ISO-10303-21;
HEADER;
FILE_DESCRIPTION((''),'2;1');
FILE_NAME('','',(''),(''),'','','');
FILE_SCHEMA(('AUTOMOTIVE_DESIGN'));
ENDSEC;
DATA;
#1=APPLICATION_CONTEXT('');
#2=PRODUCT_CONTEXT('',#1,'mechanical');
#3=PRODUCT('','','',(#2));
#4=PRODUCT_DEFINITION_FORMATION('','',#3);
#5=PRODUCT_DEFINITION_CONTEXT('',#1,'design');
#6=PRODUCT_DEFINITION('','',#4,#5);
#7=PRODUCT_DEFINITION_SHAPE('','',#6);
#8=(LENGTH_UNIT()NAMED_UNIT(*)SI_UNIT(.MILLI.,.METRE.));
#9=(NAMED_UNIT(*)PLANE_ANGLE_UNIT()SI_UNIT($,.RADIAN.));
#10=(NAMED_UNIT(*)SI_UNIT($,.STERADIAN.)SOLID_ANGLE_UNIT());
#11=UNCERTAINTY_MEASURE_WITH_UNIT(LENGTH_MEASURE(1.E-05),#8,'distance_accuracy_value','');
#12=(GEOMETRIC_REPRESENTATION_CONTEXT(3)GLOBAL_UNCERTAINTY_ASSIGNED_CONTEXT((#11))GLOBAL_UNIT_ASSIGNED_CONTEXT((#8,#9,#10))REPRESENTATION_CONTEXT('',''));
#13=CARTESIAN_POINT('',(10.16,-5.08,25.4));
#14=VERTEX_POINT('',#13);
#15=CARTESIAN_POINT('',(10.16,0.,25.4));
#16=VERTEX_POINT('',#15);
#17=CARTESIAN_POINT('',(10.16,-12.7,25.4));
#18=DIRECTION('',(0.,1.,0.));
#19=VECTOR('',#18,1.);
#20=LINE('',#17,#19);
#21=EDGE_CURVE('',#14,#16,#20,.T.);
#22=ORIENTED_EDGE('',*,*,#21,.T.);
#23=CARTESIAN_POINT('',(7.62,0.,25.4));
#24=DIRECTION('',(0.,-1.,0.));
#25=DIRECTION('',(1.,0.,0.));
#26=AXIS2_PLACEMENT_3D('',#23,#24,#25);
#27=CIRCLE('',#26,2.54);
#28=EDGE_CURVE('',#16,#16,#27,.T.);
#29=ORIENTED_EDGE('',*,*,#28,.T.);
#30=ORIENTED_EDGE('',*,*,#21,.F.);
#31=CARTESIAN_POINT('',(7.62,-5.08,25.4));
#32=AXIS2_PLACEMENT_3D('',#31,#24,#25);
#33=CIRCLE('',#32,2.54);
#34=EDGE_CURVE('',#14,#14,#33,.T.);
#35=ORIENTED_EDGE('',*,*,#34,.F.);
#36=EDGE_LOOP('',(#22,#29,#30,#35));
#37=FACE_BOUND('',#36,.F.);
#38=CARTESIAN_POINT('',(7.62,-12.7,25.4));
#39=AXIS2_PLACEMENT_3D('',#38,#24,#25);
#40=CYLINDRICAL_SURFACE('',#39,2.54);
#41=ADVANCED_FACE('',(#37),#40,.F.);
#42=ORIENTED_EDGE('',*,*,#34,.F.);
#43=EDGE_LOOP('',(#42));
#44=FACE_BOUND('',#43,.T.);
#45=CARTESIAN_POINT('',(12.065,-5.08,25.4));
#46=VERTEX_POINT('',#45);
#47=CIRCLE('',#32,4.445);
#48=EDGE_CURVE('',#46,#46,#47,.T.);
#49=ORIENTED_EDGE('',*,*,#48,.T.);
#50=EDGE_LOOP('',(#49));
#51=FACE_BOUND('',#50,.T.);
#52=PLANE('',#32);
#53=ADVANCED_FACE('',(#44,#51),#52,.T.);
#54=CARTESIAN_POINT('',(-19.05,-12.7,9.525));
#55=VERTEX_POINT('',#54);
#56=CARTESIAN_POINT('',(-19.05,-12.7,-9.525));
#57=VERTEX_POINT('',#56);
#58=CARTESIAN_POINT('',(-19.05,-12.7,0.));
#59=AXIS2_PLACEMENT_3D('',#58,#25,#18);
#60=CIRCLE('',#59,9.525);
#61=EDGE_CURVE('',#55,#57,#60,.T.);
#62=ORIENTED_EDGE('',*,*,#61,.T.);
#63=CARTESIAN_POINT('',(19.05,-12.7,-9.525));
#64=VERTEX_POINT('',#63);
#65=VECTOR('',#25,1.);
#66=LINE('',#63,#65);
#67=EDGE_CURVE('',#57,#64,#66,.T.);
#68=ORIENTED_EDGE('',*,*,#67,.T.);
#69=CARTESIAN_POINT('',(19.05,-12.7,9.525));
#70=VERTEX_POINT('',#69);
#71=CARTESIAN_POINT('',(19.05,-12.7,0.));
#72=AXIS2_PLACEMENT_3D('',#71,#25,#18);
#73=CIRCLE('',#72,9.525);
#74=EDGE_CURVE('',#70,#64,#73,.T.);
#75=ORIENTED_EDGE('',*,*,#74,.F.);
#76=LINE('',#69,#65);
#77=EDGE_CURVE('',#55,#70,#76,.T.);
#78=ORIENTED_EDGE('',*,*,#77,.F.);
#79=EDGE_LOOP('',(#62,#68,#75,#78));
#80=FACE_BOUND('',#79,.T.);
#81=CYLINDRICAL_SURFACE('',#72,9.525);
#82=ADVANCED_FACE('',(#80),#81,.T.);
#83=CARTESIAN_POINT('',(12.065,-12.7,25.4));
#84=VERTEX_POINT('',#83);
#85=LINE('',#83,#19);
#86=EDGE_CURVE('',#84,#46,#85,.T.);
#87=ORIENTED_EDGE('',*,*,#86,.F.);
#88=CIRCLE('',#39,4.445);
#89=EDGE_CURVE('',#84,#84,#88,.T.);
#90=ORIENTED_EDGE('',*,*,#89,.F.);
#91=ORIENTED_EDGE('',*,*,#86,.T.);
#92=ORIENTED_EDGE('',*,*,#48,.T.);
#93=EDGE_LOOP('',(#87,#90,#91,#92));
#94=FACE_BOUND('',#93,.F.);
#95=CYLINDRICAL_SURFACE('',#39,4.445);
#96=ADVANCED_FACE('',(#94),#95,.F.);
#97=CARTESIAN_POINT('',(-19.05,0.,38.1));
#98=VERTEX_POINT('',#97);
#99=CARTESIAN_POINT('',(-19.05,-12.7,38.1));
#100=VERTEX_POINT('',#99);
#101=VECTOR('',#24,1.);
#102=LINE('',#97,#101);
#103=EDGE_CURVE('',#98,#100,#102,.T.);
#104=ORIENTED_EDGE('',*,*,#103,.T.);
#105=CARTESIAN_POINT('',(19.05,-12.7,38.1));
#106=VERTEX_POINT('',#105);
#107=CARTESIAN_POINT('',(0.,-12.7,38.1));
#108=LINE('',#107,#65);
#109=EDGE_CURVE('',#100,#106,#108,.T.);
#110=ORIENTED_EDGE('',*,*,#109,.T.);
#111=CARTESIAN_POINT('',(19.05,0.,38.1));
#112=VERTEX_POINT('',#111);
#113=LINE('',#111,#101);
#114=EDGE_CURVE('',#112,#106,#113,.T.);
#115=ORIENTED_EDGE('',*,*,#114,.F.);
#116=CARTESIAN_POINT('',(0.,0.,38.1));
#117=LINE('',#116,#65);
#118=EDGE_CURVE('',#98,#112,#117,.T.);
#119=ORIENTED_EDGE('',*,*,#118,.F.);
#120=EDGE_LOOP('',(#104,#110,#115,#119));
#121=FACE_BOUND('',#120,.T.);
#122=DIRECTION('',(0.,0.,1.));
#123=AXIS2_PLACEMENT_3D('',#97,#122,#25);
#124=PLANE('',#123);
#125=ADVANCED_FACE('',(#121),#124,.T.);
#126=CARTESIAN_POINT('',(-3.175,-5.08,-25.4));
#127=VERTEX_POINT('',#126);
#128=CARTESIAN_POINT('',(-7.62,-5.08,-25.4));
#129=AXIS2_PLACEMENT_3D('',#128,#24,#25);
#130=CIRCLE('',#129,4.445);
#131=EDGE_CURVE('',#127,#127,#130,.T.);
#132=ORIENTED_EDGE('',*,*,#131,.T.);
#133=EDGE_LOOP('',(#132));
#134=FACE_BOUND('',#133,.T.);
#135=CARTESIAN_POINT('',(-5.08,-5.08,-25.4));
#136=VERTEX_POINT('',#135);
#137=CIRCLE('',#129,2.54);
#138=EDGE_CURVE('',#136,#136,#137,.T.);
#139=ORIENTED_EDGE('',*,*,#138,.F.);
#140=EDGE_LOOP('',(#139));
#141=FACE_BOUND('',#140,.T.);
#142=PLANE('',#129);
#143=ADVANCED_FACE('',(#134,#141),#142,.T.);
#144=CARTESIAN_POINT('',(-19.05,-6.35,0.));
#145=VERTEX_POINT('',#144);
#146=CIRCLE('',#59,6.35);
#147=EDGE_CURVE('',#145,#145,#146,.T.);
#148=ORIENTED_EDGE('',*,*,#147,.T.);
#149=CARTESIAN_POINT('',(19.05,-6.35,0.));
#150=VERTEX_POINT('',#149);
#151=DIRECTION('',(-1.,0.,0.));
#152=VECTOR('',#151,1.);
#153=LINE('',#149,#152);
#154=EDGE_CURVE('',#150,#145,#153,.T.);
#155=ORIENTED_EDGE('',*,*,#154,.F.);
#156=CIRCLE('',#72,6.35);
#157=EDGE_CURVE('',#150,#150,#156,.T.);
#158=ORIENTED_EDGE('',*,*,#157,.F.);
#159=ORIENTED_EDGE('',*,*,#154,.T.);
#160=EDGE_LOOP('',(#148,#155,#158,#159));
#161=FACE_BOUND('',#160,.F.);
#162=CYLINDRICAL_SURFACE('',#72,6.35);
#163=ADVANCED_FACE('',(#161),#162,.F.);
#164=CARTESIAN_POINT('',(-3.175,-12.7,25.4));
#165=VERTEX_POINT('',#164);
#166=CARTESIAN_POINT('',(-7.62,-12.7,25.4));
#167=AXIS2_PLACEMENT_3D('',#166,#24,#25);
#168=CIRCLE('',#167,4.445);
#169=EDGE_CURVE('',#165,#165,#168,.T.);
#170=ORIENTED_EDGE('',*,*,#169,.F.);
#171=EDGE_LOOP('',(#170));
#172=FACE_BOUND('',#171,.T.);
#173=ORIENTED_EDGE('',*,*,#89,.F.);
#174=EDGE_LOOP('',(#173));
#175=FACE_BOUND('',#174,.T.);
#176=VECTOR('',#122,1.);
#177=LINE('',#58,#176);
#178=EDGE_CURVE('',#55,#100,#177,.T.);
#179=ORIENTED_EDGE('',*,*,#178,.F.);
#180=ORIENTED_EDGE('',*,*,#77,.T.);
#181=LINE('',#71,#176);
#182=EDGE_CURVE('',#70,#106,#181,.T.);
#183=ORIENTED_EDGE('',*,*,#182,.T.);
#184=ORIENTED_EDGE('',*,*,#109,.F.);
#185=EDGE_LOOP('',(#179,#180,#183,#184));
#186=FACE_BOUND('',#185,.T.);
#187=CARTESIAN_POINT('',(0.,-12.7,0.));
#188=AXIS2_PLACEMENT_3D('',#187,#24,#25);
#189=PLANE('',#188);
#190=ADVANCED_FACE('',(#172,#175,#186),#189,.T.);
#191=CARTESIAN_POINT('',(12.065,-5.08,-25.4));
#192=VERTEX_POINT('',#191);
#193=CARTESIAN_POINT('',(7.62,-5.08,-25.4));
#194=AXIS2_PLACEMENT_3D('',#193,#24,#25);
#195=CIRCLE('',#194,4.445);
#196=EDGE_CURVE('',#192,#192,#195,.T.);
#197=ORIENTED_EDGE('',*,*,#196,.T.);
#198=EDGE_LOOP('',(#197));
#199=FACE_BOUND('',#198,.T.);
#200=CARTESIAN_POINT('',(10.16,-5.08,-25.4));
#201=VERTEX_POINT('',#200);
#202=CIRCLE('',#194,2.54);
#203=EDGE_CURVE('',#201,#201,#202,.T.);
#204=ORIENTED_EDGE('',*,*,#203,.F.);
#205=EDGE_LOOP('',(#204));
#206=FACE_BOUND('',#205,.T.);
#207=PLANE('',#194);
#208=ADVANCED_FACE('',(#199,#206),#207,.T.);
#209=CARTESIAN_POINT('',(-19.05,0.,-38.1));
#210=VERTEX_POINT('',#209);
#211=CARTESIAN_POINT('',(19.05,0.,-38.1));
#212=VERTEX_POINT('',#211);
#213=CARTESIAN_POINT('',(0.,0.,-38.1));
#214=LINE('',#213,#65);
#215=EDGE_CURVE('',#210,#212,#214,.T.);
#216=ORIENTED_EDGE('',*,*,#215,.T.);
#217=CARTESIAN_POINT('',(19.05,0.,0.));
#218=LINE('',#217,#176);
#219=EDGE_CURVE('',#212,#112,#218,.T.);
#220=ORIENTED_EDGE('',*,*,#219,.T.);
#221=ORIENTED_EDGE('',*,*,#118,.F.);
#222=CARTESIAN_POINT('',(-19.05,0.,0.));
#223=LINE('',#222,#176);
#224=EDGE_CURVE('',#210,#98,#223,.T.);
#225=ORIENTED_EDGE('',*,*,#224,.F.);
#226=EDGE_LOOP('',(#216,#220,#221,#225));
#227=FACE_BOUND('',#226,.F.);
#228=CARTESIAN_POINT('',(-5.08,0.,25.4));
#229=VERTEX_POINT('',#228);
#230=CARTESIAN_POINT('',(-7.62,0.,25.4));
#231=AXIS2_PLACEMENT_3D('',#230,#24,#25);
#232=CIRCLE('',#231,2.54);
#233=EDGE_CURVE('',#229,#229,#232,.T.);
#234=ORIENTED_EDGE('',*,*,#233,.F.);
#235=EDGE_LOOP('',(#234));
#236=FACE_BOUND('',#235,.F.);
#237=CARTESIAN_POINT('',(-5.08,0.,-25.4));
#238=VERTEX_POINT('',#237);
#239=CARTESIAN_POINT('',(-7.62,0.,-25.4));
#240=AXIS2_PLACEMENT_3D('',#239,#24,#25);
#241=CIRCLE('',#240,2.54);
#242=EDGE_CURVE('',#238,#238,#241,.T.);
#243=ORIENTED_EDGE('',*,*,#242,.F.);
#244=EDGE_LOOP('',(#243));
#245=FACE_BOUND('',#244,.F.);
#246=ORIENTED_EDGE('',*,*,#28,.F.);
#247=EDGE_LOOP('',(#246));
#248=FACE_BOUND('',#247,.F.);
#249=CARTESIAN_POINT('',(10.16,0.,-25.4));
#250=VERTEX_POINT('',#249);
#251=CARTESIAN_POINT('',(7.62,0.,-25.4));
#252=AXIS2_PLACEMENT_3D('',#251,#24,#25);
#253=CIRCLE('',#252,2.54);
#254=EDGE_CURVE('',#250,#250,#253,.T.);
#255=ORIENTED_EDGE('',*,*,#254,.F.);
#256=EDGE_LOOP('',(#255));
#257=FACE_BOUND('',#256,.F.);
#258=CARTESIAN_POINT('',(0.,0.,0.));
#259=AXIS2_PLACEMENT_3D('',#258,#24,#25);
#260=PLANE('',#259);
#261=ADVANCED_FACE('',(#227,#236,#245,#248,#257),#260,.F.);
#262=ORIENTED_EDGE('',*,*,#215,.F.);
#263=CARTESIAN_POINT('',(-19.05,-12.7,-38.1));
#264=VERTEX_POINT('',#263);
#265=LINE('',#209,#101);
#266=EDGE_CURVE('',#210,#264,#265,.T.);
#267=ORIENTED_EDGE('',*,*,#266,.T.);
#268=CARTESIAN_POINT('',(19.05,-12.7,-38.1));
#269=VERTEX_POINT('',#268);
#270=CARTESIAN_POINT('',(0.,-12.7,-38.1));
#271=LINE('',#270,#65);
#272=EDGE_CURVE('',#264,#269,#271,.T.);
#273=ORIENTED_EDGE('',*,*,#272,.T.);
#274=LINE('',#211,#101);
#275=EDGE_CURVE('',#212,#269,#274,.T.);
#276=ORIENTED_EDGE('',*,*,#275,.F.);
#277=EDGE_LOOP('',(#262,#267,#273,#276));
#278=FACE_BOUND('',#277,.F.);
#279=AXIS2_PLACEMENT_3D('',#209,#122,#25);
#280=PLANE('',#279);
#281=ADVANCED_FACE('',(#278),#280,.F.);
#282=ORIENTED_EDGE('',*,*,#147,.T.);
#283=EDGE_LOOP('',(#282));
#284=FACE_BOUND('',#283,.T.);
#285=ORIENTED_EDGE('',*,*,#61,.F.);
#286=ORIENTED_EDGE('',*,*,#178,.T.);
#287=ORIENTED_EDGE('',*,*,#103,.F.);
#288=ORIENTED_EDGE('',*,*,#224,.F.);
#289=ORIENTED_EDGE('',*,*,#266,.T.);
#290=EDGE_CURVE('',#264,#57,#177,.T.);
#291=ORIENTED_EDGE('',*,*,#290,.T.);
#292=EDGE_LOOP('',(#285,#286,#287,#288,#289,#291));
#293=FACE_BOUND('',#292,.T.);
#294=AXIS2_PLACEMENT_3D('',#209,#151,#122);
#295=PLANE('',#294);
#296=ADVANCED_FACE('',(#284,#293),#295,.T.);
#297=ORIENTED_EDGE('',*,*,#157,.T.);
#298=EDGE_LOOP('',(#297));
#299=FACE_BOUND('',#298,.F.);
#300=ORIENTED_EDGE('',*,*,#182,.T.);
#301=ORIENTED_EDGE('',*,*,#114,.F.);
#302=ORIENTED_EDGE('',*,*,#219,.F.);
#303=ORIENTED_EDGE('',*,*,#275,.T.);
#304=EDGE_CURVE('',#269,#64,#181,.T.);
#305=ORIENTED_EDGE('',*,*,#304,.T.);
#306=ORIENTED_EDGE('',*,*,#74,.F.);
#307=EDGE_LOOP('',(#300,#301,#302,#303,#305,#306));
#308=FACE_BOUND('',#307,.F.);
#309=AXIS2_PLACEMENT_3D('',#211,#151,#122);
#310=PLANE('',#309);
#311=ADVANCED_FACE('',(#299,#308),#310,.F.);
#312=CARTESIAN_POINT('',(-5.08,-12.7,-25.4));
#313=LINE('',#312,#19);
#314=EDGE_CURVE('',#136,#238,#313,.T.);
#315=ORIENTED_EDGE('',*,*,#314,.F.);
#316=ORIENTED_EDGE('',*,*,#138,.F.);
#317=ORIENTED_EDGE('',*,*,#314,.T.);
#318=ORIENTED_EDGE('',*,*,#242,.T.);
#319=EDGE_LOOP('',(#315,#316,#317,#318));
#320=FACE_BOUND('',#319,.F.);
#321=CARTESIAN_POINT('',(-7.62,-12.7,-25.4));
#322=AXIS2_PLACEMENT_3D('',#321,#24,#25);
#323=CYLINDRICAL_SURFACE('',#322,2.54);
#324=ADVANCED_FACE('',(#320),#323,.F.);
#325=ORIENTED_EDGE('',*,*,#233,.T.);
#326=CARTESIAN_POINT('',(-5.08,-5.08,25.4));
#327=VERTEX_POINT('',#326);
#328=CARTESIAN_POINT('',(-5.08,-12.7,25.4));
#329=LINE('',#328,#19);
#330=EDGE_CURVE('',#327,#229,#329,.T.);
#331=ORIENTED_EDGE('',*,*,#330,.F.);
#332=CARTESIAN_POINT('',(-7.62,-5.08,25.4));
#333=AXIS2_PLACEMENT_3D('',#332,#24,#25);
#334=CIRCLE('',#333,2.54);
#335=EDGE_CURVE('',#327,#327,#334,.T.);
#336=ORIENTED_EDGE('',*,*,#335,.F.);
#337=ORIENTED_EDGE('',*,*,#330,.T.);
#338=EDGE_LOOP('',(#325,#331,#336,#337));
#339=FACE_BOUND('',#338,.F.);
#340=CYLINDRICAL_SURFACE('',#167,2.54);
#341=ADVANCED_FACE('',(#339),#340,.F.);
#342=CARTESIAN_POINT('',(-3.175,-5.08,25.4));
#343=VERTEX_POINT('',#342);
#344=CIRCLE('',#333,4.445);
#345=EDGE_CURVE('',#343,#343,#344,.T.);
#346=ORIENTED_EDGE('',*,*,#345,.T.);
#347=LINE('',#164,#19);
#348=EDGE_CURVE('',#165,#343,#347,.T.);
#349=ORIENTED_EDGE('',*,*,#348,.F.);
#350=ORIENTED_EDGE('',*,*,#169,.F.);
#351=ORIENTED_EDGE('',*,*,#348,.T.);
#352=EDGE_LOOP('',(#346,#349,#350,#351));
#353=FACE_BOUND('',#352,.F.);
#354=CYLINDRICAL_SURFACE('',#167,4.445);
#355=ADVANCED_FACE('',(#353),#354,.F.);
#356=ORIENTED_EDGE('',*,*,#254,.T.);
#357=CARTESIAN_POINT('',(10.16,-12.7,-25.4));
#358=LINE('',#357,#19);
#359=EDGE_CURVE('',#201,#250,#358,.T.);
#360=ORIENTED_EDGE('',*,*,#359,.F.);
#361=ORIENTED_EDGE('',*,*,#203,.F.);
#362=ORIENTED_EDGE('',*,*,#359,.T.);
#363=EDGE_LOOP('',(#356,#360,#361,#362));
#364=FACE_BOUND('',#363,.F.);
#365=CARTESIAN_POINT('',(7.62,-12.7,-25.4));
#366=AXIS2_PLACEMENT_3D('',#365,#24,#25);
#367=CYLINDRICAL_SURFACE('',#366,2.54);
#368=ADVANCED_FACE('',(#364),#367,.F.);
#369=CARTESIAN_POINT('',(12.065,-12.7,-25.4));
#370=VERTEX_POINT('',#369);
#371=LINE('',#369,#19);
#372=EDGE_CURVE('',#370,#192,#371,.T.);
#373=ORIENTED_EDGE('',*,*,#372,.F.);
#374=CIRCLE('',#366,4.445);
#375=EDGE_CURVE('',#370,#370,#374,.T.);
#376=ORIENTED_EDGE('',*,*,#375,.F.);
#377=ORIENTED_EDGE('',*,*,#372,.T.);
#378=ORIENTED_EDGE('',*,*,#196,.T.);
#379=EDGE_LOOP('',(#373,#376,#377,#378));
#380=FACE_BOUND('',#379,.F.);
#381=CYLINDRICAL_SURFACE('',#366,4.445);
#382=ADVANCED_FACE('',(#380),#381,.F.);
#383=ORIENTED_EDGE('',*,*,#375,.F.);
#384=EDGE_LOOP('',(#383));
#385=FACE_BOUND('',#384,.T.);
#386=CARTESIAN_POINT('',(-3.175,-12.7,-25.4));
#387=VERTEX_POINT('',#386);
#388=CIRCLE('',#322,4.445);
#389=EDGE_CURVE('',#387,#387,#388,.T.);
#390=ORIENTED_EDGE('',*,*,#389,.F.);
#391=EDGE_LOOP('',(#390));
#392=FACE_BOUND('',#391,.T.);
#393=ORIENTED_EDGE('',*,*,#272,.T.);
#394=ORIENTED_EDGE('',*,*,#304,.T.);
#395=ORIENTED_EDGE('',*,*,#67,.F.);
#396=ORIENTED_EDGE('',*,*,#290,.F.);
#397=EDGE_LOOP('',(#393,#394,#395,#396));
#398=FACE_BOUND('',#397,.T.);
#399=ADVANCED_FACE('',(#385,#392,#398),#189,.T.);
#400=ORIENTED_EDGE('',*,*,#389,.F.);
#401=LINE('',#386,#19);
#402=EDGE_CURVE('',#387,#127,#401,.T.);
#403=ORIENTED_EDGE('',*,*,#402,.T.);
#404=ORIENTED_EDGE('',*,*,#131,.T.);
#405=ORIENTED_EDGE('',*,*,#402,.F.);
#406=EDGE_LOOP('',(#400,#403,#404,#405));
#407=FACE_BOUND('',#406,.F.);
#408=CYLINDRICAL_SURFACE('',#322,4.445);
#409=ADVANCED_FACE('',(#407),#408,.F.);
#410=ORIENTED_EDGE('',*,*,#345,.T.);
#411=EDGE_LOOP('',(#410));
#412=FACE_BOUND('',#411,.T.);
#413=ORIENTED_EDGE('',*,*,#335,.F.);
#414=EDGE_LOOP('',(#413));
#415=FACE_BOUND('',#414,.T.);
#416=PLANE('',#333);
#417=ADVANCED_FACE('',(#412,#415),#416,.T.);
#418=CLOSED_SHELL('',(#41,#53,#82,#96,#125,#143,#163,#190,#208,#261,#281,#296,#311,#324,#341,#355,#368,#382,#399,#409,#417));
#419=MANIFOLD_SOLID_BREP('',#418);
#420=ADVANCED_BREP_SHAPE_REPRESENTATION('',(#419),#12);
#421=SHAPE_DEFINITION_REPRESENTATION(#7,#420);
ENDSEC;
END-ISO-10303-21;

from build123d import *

# Parameters (mm, degrees)
F0_W     = 38.1
F0_H     = 76.2
F1_DEPTH = 12.7
F2_R     = 9.525
F3_DEPTH = 38.1
F4_R     = 6.35
F5_DEPTH = 40.386
F6_R     = 2.54
F7_DEPTH = 25.4
F8_R     = 4.445
F9_DEPTH = 7.62


with BuildPart() as f1:
    # F0 (on Front) → F1 (new body)
    with BuildSketch(Plane.XZ):
        Rectangle(F0_W, F0_H)
    extrude(amount=F1_DEPTH)

    # F2 (on face) → F3 (join)
    with BuildSketch(Plane.YZ.offset(19.05)):
        with Locations((-12.7, 0)):
            Circle(F2_R)
    extrude(amount=-F3_DEPTH)

    # F4 (on face) → F5 (cut)
    with BuildSketch(Plane.YZ.offset(19.05)):
        with Locations((-12.7, 0)):
            Circle(F4_R)
    extrude(amount=-F5_DEPTH, mode=Mode.SUBTRACT)

    # F6 (on face) → F7 (cut)
    with BuildSketch(Plane.XZ.offset(12.7)):
        with Locations((-7.62, 25.4)):
            Circle(F6_R)
        with Locations((7.62, 25.4)):
            Circle(F6_R)
        with Locations((-7.62, -25.4)):
            Circle(F6_R)
        with Locations((7.62, -25.4)):
            Circle(F6_R)
    extrude(amount=-F7_DEPTH, mode=Mode.SUBTRACT)

    # F8 (on face) → F9 (cut)
    with BuildSketch(Plane.XZ.offset(12.7)):
        with Locations((-7.62, 25.4)):
            Circle(F8_R)
        with Locations((7.62, 25.4)):
            Circle(F8_R)
        with Locations((-7.62, -25.4)):
            Circle(F8_R)
        with Locations((7.62, -25.4)):
            Circle(F8_R)
    extrude(amount=-F9_DEPTH, mode=Mode.SUBTRACT)


solid = f1.part
